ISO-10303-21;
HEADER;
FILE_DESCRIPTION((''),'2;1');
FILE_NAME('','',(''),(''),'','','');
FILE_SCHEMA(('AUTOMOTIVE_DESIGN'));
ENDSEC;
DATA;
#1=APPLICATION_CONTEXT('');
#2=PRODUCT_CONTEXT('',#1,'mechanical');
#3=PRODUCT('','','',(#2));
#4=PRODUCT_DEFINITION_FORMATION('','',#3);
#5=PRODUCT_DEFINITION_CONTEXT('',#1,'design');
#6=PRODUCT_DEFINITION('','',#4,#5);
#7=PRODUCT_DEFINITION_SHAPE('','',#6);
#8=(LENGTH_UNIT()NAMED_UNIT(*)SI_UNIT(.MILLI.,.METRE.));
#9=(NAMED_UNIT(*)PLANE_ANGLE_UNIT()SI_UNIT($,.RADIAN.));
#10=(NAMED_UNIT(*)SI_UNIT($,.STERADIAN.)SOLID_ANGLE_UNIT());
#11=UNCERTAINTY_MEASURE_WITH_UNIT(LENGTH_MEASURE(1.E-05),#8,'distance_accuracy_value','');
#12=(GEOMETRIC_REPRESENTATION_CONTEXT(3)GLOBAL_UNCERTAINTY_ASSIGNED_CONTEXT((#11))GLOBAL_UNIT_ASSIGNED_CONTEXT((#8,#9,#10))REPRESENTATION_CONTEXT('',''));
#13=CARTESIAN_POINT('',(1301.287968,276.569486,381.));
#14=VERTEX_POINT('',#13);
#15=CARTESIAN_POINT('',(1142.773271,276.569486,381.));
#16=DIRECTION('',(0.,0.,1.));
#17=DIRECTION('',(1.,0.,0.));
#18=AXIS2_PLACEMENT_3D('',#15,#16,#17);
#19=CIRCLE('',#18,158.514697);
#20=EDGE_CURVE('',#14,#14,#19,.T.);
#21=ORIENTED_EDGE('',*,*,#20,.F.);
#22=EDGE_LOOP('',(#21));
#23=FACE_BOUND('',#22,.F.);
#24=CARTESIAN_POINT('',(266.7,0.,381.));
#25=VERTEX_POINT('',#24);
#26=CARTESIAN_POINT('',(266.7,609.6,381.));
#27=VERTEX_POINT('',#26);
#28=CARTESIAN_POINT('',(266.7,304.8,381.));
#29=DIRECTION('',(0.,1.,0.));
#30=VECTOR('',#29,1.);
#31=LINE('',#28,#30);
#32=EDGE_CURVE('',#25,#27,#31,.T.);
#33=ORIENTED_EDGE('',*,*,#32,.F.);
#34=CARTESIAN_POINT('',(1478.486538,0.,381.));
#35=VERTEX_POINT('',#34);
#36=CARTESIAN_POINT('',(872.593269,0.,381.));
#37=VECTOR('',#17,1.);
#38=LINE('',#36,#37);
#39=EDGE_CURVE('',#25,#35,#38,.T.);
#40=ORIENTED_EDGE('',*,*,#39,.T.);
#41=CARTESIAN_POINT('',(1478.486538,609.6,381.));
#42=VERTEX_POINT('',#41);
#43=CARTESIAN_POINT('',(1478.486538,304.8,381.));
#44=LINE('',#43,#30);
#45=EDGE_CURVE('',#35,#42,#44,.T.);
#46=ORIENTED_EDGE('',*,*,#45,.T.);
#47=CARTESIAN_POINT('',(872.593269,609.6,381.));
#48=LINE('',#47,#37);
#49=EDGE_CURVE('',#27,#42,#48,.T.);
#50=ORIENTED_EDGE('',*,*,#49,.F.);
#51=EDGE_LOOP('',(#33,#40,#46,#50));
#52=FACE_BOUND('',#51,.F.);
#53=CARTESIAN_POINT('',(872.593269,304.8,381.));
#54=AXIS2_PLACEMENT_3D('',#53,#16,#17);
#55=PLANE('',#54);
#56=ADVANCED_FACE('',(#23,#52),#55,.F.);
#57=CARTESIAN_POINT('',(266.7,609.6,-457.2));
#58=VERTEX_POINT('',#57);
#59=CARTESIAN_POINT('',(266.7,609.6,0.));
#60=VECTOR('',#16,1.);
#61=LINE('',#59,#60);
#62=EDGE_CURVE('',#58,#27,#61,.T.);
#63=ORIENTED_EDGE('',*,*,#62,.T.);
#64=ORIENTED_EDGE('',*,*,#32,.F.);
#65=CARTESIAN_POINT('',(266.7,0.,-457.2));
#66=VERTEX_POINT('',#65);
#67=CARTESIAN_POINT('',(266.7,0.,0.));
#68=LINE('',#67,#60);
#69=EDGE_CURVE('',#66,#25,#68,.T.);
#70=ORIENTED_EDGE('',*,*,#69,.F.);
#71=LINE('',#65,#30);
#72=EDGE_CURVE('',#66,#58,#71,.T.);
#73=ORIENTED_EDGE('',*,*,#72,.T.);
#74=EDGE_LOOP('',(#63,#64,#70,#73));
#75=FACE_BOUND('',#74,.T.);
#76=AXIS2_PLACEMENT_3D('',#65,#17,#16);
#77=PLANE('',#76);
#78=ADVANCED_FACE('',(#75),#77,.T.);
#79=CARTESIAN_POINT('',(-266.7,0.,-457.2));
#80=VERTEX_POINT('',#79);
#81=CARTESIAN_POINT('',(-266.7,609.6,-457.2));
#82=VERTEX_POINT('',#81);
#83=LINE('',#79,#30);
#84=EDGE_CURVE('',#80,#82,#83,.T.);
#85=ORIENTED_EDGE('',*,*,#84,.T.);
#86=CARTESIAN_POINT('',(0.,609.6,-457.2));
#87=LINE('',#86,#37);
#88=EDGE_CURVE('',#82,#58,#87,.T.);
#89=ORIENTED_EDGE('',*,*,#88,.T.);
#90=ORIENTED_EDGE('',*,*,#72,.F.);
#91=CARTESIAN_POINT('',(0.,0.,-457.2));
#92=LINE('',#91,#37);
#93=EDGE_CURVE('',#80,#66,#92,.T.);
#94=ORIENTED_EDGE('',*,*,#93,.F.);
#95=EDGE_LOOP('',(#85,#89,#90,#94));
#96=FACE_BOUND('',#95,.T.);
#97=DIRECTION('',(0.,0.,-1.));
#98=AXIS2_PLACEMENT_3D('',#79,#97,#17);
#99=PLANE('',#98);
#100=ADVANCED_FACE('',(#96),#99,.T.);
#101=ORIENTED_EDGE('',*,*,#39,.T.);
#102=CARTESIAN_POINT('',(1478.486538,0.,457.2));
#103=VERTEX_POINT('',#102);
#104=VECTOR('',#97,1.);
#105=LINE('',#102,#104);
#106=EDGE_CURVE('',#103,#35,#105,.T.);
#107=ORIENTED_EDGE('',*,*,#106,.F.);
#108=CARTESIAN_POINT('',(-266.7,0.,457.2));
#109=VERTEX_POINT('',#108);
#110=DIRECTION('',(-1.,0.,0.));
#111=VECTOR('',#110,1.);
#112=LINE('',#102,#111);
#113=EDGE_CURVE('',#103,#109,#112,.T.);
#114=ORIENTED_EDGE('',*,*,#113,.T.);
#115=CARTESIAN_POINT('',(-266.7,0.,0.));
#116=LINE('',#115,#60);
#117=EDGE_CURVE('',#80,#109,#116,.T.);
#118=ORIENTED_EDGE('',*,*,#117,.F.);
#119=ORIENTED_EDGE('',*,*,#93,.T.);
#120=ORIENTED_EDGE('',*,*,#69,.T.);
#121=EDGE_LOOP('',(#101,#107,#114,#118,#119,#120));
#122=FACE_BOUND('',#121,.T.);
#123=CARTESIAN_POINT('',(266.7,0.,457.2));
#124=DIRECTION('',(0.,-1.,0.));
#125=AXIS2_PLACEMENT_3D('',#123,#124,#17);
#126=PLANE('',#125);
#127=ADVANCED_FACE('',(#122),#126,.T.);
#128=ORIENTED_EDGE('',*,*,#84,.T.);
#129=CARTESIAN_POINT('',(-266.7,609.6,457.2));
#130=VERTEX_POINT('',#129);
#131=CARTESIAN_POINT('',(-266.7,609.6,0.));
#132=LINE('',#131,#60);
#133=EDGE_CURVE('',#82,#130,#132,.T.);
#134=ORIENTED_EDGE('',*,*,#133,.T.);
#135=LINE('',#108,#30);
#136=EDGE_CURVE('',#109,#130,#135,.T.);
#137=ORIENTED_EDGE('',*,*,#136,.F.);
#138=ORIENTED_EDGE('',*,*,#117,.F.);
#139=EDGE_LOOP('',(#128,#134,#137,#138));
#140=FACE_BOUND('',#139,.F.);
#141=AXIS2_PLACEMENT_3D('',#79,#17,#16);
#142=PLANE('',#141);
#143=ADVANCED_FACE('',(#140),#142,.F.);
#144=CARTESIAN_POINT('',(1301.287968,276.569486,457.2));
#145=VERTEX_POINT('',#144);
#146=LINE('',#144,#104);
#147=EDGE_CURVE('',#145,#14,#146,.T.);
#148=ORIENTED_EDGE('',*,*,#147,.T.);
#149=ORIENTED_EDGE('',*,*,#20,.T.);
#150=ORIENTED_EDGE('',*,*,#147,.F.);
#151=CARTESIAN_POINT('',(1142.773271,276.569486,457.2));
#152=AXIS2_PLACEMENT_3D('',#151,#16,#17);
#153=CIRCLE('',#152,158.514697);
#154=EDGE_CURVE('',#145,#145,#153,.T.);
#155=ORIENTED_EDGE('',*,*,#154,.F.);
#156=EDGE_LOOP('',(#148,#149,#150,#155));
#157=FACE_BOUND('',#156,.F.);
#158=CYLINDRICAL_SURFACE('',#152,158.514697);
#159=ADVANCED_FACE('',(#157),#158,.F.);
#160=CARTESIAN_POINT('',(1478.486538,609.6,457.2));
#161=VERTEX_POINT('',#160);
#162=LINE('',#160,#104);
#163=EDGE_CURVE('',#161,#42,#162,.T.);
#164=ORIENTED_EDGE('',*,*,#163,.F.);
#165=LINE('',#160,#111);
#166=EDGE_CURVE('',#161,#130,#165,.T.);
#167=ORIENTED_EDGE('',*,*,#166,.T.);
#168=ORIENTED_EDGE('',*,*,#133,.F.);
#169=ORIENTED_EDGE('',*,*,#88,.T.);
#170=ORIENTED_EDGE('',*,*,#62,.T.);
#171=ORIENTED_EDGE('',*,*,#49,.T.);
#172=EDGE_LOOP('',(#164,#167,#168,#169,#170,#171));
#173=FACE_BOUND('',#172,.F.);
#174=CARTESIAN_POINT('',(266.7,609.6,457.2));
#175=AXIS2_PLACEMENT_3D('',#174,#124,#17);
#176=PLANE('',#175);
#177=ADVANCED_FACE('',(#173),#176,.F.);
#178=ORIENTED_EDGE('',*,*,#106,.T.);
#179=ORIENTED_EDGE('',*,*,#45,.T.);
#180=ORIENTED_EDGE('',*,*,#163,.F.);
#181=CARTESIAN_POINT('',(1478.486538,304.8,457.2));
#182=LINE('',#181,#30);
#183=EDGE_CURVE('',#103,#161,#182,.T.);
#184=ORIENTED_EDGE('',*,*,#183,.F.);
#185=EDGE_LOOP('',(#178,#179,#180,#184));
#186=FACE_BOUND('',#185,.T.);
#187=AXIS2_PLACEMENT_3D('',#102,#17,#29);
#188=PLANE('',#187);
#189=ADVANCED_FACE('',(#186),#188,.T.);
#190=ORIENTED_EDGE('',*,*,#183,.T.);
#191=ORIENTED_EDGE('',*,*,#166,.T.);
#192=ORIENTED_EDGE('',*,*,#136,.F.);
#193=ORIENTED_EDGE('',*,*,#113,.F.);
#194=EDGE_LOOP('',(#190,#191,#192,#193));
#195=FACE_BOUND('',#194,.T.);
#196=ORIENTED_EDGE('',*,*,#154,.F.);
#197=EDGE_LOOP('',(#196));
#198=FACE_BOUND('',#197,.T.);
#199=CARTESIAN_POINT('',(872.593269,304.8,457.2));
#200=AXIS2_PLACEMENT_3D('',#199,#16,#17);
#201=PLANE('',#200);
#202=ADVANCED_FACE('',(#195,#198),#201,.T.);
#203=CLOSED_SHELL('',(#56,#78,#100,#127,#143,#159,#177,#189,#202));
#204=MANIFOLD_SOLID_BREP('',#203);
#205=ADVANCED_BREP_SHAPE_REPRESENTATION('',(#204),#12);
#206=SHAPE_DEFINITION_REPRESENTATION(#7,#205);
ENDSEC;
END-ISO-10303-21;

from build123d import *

# Parameters (mm, degrees)
F0_W     = 533.4
F0_H     = 914.4
F1_DEPTH = 609.6
F2_W     = 1211.786538
F2_H     = 609.6
F3_DEPTH = 76.2
F4_R     = 158.514697
F5_DEPTH = 914.401


with BuildPart() as f1:
    # F0 (on Front) → F1 (new body)
    with BuildSketch(Plane.XZ):
        Rectangle(F0_W, F0_H)
    extrude(amount=-F1_DEPTH)

    # F2 (on face) → F3 (join)
    with BuildSketch(Plane.XY.offset(457.2)):
        with Locations((872.593269, 304.8)):
            Rectangle(F2_W, F2_H)
    extrude(amount=-F3_DEPTH)

    # F4 (on face) → F5 (cut, through all)
    with BuildSketch(Plane.XY.offset(457.2)):
        with Locations((1142.773271, 276.569486)):
            Circle(F4_R)
    extrude(amount=-F5_DEPTH, mode=Mode.SUBTRACT)


solid = f1.part
